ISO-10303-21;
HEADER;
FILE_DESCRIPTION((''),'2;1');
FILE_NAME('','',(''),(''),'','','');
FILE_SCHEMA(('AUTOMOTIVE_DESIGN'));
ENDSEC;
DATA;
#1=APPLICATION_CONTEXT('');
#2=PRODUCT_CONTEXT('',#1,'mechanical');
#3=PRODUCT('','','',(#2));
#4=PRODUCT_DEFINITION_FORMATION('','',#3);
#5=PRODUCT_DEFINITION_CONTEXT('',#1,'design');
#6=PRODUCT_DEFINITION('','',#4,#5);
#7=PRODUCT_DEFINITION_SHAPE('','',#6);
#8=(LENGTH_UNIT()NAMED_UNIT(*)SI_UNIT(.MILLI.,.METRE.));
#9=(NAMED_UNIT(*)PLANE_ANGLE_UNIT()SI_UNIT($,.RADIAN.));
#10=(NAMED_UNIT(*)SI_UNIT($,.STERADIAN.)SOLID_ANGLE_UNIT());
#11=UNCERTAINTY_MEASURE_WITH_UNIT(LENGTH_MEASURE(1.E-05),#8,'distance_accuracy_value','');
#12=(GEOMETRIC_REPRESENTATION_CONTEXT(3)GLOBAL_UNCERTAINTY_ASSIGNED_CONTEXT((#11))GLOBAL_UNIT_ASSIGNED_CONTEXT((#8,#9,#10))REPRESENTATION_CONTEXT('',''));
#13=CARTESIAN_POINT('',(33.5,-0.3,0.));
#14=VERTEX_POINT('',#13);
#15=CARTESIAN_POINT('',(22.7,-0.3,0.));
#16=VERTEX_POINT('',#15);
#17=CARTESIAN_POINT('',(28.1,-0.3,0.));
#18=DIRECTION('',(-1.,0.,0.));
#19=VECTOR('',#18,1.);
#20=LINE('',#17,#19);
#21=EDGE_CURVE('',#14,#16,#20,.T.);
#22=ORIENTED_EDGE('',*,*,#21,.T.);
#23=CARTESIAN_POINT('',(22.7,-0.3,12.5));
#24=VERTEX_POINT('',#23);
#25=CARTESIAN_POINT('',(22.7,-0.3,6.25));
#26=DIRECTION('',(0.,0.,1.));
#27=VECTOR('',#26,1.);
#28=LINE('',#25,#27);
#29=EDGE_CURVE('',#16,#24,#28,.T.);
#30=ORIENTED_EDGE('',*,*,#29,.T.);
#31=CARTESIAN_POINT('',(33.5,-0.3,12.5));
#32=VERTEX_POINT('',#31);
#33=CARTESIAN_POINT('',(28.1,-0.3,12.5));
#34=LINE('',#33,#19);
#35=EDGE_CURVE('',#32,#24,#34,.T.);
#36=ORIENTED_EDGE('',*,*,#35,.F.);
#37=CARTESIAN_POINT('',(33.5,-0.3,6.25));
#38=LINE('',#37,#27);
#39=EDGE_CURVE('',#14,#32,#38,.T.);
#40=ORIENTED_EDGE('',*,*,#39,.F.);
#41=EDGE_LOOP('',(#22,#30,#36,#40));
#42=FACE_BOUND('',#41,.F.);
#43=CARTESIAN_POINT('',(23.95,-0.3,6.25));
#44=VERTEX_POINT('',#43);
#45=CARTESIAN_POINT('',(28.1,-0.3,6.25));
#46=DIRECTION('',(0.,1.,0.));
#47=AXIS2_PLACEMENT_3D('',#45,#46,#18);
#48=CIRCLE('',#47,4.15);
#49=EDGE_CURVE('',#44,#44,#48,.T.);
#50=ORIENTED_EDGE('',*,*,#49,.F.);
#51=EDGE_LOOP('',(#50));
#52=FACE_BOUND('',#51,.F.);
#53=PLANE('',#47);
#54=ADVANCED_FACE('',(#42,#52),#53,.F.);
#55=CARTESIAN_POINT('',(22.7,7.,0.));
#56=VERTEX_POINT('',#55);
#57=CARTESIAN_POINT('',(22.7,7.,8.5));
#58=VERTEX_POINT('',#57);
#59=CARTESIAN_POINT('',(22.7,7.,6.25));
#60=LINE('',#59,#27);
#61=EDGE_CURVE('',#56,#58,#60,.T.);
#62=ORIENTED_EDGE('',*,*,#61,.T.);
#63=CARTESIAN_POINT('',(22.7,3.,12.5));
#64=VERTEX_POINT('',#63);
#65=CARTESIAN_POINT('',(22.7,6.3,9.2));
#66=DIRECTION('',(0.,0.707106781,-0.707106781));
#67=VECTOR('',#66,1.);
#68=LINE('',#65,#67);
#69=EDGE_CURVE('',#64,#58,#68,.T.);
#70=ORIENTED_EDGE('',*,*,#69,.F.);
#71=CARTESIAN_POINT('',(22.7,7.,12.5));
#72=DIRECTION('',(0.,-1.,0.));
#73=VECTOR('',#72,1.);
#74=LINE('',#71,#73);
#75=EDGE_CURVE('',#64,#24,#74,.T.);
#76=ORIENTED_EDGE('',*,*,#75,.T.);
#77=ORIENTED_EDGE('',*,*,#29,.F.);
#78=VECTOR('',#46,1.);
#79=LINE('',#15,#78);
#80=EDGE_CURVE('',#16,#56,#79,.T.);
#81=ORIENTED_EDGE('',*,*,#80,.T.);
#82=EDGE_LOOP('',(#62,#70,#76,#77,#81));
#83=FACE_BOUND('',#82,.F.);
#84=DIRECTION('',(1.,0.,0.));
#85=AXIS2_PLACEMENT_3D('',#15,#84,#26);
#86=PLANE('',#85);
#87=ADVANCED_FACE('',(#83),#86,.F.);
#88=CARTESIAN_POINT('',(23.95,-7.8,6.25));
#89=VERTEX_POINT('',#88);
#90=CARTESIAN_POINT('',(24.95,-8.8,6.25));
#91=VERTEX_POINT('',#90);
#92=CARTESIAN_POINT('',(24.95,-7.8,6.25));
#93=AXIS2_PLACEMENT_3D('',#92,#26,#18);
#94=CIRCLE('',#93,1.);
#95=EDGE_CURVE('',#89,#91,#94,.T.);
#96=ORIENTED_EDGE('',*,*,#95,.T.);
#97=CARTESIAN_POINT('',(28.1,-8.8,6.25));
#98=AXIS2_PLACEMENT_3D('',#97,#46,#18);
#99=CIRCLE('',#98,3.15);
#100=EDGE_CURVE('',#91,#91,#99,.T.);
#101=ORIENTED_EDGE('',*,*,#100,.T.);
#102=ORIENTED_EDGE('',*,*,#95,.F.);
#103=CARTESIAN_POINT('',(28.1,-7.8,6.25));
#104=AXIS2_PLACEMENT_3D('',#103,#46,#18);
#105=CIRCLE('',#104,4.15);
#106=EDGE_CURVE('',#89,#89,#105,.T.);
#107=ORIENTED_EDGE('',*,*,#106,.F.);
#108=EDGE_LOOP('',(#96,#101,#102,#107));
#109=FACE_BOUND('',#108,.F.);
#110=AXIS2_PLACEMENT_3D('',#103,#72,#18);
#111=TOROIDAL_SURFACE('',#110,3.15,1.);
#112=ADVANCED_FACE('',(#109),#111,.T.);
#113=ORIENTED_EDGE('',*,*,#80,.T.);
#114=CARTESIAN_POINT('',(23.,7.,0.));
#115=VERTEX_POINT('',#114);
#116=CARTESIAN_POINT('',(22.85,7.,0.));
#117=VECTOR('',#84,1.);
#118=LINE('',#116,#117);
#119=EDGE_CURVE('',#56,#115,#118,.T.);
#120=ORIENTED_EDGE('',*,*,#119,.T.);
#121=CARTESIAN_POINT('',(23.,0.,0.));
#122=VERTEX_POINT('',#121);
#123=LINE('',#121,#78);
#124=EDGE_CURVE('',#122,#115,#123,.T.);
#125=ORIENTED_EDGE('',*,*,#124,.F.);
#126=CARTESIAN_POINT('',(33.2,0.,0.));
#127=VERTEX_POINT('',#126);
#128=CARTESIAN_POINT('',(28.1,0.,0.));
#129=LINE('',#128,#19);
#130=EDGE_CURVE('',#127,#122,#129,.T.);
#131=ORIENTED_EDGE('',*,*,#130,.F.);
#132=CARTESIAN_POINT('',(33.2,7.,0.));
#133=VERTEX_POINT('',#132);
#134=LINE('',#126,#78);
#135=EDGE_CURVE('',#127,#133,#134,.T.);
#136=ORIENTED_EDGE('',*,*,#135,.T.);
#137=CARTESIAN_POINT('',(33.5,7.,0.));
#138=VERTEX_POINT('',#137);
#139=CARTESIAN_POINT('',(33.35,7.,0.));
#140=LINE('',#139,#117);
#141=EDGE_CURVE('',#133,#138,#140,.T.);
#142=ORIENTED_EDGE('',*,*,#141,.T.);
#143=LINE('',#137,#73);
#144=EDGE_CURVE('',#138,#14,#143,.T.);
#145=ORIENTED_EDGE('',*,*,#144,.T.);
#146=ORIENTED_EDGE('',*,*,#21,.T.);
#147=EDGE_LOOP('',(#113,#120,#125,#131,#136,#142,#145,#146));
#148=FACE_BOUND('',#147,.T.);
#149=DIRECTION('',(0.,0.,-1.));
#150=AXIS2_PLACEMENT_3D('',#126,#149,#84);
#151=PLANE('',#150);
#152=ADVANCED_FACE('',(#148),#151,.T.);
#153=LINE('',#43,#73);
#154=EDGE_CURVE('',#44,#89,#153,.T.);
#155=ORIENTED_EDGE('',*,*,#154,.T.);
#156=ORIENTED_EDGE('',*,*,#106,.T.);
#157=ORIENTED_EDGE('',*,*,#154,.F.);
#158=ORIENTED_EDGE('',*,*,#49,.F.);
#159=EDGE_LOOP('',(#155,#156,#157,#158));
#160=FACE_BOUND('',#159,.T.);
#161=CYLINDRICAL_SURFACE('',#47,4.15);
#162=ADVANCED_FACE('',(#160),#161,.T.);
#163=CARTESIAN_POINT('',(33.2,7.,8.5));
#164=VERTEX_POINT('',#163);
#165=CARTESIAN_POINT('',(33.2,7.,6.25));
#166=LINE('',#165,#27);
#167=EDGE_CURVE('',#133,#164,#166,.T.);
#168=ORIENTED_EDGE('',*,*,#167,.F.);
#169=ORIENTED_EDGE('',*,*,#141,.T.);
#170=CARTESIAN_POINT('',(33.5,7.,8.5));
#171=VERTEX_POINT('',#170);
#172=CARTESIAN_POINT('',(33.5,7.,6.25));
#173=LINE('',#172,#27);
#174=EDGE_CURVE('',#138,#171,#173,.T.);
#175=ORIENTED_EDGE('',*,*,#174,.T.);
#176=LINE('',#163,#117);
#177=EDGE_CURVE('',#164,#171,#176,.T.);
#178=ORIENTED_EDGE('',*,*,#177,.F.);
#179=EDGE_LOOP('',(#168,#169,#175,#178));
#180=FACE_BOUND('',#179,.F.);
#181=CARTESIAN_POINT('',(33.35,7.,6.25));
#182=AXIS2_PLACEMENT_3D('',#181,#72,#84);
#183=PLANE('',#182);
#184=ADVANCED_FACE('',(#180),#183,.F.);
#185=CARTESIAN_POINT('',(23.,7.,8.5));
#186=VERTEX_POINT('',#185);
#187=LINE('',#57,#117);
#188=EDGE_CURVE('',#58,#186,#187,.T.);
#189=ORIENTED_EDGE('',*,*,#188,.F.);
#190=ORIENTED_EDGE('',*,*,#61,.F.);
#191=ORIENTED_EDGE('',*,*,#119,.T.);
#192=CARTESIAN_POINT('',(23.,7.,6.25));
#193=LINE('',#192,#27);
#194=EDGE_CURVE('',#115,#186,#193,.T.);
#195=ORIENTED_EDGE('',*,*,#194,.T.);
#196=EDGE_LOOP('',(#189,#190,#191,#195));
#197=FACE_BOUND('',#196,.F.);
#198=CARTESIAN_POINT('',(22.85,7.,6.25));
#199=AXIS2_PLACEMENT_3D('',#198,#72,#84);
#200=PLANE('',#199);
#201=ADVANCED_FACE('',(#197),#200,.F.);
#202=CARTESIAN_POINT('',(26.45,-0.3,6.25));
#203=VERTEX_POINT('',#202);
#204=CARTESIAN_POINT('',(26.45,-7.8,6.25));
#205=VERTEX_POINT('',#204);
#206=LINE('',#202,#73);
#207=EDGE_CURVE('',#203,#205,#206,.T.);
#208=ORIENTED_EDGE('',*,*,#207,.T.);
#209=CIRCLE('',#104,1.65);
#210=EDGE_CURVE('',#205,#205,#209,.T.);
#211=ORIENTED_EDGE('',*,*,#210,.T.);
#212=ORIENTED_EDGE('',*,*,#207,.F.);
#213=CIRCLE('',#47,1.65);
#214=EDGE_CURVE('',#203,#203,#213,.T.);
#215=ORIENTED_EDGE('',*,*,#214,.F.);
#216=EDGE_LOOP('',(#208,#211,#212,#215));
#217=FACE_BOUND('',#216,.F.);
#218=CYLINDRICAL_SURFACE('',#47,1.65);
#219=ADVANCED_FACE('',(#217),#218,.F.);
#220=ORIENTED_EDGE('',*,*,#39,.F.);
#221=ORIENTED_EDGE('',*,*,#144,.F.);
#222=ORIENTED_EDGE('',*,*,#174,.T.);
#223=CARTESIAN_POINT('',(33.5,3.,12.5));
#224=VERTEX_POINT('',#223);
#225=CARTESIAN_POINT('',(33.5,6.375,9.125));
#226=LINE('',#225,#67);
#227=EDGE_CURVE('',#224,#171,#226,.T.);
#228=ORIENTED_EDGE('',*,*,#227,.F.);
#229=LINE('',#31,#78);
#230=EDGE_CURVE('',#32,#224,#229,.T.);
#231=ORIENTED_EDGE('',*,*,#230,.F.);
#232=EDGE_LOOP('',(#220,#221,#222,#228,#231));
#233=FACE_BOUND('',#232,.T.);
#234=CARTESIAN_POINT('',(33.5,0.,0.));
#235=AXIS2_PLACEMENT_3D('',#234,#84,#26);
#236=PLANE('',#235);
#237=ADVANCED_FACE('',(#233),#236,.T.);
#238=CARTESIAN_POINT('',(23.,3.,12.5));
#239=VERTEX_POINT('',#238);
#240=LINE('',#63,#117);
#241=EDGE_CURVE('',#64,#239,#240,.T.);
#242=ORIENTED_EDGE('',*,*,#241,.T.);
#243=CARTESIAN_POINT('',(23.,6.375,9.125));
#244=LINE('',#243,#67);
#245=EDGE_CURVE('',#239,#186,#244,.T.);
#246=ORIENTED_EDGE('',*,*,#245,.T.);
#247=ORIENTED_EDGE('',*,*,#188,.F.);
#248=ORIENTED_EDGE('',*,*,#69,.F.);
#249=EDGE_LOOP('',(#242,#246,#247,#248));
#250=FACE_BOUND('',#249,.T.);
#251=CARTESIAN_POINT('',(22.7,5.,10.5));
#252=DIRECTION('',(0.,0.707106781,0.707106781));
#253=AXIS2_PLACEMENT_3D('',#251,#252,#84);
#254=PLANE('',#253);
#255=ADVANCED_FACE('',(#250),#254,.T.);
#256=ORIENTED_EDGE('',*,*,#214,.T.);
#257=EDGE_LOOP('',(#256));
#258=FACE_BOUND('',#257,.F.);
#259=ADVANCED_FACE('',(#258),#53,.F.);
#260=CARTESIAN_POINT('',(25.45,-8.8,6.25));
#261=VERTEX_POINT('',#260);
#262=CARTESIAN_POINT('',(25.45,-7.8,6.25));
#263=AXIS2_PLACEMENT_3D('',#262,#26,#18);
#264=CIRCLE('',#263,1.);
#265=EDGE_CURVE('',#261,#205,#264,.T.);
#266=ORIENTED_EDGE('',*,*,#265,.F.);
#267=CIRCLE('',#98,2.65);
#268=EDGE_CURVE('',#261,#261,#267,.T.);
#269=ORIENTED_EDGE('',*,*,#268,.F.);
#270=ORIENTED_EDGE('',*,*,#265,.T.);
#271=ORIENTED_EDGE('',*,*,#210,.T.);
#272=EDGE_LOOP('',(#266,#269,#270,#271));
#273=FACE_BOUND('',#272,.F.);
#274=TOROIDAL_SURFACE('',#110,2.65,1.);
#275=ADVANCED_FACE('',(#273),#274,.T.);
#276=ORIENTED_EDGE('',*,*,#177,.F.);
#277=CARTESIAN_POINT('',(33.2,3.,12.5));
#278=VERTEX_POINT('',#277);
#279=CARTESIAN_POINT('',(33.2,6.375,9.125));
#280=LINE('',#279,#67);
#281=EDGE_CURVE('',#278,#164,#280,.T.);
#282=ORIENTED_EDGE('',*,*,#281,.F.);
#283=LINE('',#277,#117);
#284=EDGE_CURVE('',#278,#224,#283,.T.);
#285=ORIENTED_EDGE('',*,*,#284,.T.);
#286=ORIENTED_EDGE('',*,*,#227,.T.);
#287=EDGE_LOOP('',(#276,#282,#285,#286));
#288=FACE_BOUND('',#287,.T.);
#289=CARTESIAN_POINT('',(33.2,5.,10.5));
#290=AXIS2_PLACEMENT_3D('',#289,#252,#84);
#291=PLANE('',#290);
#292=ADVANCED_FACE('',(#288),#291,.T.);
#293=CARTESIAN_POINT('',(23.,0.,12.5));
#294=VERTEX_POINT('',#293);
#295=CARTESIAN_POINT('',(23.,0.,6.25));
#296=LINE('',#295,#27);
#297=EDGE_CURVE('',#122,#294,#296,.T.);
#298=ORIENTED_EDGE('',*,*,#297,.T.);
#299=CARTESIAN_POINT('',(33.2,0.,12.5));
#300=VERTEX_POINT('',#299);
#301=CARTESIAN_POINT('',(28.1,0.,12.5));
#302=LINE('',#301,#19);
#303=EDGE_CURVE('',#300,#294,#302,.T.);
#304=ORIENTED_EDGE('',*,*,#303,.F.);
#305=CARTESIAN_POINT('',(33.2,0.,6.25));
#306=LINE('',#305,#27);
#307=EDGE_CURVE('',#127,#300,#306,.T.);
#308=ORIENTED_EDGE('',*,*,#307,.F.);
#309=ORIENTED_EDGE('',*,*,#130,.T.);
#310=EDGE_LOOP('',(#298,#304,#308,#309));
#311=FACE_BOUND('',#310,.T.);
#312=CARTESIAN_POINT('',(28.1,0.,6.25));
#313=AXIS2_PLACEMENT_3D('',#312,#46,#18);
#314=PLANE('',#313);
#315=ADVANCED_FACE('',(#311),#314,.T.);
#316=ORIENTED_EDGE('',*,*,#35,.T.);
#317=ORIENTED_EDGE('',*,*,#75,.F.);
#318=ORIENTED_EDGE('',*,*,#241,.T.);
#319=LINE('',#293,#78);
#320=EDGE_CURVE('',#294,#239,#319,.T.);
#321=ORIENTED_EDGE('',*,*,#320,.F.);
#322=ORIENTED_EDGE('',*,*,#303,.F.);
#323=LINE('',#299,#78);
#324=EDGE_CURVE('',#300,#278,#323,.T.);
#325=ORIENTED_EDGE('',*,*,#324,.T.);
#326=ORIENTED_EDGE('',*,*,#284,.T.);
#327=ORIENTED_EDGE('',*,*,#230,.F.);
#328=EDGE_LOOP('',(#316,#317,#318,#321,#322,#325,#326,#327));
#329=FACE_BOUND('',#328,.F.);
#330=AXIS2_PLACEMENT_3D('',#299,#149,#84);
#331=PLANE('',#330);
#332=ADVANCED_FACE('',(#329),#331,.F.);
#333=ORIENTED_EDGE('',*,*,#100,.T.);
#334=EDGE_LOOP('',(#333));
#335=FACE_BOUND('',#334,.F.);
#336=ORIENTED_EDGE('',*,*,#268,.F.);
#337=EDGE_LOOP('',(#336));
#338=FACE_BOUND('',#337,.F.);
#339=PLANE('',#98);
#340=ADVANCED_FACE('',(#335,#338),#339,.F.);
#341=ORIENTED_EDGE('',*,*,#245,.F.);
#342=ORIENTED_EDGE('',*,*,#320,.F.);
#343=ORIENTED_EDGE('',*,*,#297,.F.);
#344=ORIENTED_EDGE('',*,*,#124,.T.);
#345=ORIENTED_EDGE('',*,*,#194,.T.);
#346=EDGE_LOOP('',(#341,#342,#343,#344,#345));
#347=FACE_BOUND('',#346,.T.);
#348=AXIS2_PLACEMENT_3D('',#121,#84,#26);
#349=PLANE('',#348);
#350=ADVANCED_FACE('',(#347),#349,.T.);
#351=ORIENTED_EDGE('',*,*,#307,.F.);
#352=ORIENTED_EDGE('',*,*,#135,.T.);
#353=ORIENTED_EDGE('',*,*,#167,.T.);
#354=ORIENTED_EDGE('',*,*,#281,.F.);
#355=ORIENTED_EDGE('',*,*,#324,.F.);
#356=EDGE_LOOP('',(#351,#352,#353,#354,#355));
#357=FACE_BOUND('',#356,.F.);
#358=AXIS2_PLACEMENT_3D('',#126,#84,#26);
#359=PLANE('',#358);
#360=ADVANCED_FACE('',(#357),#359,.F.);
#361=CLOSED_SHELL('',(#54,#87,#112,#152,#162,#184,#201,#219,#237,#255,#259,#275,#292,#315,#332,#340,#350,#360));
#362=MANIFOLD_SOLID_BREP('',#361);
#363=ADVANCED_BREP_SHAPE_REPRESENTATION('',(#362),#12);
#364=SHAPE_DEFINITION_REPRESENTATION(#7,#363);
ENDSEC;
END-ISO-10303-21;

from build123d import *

# Parameters (mm, degrees)
SKETCH013_W   = 10.8
SKETCH013_H   = 12.5
PAD072_DEPTH  = 0.3
SKETCH014_W   = 0.3
SKETCH014_H   = 12.5
PAD073_DEPTH  = 7
SKETCH015_R   = 4.15
SKETCH015_R_2 = 1.65
PAD074_DEPTH  = 8.5
CHAMFER_SIZE  = 4
FILLET_R      = 1


with BuildPart() as part:
    # Sketch013 → Pad072 (new body)
    with BuildSketch(Plane(origin=(0, -0.3, 0), x_dir=(-1, 0, 0), z_dir=(0, 1, 0))):
        Rectangle(SKETCH013_W, SKETCH013_H)
    extrude(amount=PAD072_DEPTH)

    # Sketch014 → Pad073 (join)
    with BuildSketch(Plane.XZ):
        with Locations((5.25, 0)):
            Rectangle(SKETCH014_W, SKETCH014_H)
        with Locations((-5.25, 0)):
            Rectangle(SKETCH014_W, SKETCH014_H)
    extrude(amount=-PAD073_DEPTH)

    # Sketch015 → Pad074 (join)
    with BuildSketch(Plane(origin=(0, -0.3, 0), x_dir=(-1, 0, 0), z_dir=(0, 1, 0))):
        Circle(SKETCH015_R)
        Circle(SKETCH015_R_2, mode=Mode.SUBTRACT)
    extrude(amount=-PAD074_DEPTH)

    # Chamfer
    chamfer_edges = [part.edges().sort_by_distance(p)[0] for p in [
        (-5.25, 7, 6.25),
        (5.25, 7, 6.25),
    ]]
    chamfer(chamfer_edges, length=CHAMFER_SIZE)

    # Fillet
    fillet_edges = [part.edges().sort_by_distance(p)[0] for p in [
        (4.15, -8.8, 0),
        (1.65, -8.8, 0),
    ]]
    fillet(fillet_edges, radius=FILLET_R)


with BuildPart() as part_1:
    # Pad019Body placement: moved
    add(part.part.moved(Location((28.1, 0, 6.25))))


solid = part_1.part
